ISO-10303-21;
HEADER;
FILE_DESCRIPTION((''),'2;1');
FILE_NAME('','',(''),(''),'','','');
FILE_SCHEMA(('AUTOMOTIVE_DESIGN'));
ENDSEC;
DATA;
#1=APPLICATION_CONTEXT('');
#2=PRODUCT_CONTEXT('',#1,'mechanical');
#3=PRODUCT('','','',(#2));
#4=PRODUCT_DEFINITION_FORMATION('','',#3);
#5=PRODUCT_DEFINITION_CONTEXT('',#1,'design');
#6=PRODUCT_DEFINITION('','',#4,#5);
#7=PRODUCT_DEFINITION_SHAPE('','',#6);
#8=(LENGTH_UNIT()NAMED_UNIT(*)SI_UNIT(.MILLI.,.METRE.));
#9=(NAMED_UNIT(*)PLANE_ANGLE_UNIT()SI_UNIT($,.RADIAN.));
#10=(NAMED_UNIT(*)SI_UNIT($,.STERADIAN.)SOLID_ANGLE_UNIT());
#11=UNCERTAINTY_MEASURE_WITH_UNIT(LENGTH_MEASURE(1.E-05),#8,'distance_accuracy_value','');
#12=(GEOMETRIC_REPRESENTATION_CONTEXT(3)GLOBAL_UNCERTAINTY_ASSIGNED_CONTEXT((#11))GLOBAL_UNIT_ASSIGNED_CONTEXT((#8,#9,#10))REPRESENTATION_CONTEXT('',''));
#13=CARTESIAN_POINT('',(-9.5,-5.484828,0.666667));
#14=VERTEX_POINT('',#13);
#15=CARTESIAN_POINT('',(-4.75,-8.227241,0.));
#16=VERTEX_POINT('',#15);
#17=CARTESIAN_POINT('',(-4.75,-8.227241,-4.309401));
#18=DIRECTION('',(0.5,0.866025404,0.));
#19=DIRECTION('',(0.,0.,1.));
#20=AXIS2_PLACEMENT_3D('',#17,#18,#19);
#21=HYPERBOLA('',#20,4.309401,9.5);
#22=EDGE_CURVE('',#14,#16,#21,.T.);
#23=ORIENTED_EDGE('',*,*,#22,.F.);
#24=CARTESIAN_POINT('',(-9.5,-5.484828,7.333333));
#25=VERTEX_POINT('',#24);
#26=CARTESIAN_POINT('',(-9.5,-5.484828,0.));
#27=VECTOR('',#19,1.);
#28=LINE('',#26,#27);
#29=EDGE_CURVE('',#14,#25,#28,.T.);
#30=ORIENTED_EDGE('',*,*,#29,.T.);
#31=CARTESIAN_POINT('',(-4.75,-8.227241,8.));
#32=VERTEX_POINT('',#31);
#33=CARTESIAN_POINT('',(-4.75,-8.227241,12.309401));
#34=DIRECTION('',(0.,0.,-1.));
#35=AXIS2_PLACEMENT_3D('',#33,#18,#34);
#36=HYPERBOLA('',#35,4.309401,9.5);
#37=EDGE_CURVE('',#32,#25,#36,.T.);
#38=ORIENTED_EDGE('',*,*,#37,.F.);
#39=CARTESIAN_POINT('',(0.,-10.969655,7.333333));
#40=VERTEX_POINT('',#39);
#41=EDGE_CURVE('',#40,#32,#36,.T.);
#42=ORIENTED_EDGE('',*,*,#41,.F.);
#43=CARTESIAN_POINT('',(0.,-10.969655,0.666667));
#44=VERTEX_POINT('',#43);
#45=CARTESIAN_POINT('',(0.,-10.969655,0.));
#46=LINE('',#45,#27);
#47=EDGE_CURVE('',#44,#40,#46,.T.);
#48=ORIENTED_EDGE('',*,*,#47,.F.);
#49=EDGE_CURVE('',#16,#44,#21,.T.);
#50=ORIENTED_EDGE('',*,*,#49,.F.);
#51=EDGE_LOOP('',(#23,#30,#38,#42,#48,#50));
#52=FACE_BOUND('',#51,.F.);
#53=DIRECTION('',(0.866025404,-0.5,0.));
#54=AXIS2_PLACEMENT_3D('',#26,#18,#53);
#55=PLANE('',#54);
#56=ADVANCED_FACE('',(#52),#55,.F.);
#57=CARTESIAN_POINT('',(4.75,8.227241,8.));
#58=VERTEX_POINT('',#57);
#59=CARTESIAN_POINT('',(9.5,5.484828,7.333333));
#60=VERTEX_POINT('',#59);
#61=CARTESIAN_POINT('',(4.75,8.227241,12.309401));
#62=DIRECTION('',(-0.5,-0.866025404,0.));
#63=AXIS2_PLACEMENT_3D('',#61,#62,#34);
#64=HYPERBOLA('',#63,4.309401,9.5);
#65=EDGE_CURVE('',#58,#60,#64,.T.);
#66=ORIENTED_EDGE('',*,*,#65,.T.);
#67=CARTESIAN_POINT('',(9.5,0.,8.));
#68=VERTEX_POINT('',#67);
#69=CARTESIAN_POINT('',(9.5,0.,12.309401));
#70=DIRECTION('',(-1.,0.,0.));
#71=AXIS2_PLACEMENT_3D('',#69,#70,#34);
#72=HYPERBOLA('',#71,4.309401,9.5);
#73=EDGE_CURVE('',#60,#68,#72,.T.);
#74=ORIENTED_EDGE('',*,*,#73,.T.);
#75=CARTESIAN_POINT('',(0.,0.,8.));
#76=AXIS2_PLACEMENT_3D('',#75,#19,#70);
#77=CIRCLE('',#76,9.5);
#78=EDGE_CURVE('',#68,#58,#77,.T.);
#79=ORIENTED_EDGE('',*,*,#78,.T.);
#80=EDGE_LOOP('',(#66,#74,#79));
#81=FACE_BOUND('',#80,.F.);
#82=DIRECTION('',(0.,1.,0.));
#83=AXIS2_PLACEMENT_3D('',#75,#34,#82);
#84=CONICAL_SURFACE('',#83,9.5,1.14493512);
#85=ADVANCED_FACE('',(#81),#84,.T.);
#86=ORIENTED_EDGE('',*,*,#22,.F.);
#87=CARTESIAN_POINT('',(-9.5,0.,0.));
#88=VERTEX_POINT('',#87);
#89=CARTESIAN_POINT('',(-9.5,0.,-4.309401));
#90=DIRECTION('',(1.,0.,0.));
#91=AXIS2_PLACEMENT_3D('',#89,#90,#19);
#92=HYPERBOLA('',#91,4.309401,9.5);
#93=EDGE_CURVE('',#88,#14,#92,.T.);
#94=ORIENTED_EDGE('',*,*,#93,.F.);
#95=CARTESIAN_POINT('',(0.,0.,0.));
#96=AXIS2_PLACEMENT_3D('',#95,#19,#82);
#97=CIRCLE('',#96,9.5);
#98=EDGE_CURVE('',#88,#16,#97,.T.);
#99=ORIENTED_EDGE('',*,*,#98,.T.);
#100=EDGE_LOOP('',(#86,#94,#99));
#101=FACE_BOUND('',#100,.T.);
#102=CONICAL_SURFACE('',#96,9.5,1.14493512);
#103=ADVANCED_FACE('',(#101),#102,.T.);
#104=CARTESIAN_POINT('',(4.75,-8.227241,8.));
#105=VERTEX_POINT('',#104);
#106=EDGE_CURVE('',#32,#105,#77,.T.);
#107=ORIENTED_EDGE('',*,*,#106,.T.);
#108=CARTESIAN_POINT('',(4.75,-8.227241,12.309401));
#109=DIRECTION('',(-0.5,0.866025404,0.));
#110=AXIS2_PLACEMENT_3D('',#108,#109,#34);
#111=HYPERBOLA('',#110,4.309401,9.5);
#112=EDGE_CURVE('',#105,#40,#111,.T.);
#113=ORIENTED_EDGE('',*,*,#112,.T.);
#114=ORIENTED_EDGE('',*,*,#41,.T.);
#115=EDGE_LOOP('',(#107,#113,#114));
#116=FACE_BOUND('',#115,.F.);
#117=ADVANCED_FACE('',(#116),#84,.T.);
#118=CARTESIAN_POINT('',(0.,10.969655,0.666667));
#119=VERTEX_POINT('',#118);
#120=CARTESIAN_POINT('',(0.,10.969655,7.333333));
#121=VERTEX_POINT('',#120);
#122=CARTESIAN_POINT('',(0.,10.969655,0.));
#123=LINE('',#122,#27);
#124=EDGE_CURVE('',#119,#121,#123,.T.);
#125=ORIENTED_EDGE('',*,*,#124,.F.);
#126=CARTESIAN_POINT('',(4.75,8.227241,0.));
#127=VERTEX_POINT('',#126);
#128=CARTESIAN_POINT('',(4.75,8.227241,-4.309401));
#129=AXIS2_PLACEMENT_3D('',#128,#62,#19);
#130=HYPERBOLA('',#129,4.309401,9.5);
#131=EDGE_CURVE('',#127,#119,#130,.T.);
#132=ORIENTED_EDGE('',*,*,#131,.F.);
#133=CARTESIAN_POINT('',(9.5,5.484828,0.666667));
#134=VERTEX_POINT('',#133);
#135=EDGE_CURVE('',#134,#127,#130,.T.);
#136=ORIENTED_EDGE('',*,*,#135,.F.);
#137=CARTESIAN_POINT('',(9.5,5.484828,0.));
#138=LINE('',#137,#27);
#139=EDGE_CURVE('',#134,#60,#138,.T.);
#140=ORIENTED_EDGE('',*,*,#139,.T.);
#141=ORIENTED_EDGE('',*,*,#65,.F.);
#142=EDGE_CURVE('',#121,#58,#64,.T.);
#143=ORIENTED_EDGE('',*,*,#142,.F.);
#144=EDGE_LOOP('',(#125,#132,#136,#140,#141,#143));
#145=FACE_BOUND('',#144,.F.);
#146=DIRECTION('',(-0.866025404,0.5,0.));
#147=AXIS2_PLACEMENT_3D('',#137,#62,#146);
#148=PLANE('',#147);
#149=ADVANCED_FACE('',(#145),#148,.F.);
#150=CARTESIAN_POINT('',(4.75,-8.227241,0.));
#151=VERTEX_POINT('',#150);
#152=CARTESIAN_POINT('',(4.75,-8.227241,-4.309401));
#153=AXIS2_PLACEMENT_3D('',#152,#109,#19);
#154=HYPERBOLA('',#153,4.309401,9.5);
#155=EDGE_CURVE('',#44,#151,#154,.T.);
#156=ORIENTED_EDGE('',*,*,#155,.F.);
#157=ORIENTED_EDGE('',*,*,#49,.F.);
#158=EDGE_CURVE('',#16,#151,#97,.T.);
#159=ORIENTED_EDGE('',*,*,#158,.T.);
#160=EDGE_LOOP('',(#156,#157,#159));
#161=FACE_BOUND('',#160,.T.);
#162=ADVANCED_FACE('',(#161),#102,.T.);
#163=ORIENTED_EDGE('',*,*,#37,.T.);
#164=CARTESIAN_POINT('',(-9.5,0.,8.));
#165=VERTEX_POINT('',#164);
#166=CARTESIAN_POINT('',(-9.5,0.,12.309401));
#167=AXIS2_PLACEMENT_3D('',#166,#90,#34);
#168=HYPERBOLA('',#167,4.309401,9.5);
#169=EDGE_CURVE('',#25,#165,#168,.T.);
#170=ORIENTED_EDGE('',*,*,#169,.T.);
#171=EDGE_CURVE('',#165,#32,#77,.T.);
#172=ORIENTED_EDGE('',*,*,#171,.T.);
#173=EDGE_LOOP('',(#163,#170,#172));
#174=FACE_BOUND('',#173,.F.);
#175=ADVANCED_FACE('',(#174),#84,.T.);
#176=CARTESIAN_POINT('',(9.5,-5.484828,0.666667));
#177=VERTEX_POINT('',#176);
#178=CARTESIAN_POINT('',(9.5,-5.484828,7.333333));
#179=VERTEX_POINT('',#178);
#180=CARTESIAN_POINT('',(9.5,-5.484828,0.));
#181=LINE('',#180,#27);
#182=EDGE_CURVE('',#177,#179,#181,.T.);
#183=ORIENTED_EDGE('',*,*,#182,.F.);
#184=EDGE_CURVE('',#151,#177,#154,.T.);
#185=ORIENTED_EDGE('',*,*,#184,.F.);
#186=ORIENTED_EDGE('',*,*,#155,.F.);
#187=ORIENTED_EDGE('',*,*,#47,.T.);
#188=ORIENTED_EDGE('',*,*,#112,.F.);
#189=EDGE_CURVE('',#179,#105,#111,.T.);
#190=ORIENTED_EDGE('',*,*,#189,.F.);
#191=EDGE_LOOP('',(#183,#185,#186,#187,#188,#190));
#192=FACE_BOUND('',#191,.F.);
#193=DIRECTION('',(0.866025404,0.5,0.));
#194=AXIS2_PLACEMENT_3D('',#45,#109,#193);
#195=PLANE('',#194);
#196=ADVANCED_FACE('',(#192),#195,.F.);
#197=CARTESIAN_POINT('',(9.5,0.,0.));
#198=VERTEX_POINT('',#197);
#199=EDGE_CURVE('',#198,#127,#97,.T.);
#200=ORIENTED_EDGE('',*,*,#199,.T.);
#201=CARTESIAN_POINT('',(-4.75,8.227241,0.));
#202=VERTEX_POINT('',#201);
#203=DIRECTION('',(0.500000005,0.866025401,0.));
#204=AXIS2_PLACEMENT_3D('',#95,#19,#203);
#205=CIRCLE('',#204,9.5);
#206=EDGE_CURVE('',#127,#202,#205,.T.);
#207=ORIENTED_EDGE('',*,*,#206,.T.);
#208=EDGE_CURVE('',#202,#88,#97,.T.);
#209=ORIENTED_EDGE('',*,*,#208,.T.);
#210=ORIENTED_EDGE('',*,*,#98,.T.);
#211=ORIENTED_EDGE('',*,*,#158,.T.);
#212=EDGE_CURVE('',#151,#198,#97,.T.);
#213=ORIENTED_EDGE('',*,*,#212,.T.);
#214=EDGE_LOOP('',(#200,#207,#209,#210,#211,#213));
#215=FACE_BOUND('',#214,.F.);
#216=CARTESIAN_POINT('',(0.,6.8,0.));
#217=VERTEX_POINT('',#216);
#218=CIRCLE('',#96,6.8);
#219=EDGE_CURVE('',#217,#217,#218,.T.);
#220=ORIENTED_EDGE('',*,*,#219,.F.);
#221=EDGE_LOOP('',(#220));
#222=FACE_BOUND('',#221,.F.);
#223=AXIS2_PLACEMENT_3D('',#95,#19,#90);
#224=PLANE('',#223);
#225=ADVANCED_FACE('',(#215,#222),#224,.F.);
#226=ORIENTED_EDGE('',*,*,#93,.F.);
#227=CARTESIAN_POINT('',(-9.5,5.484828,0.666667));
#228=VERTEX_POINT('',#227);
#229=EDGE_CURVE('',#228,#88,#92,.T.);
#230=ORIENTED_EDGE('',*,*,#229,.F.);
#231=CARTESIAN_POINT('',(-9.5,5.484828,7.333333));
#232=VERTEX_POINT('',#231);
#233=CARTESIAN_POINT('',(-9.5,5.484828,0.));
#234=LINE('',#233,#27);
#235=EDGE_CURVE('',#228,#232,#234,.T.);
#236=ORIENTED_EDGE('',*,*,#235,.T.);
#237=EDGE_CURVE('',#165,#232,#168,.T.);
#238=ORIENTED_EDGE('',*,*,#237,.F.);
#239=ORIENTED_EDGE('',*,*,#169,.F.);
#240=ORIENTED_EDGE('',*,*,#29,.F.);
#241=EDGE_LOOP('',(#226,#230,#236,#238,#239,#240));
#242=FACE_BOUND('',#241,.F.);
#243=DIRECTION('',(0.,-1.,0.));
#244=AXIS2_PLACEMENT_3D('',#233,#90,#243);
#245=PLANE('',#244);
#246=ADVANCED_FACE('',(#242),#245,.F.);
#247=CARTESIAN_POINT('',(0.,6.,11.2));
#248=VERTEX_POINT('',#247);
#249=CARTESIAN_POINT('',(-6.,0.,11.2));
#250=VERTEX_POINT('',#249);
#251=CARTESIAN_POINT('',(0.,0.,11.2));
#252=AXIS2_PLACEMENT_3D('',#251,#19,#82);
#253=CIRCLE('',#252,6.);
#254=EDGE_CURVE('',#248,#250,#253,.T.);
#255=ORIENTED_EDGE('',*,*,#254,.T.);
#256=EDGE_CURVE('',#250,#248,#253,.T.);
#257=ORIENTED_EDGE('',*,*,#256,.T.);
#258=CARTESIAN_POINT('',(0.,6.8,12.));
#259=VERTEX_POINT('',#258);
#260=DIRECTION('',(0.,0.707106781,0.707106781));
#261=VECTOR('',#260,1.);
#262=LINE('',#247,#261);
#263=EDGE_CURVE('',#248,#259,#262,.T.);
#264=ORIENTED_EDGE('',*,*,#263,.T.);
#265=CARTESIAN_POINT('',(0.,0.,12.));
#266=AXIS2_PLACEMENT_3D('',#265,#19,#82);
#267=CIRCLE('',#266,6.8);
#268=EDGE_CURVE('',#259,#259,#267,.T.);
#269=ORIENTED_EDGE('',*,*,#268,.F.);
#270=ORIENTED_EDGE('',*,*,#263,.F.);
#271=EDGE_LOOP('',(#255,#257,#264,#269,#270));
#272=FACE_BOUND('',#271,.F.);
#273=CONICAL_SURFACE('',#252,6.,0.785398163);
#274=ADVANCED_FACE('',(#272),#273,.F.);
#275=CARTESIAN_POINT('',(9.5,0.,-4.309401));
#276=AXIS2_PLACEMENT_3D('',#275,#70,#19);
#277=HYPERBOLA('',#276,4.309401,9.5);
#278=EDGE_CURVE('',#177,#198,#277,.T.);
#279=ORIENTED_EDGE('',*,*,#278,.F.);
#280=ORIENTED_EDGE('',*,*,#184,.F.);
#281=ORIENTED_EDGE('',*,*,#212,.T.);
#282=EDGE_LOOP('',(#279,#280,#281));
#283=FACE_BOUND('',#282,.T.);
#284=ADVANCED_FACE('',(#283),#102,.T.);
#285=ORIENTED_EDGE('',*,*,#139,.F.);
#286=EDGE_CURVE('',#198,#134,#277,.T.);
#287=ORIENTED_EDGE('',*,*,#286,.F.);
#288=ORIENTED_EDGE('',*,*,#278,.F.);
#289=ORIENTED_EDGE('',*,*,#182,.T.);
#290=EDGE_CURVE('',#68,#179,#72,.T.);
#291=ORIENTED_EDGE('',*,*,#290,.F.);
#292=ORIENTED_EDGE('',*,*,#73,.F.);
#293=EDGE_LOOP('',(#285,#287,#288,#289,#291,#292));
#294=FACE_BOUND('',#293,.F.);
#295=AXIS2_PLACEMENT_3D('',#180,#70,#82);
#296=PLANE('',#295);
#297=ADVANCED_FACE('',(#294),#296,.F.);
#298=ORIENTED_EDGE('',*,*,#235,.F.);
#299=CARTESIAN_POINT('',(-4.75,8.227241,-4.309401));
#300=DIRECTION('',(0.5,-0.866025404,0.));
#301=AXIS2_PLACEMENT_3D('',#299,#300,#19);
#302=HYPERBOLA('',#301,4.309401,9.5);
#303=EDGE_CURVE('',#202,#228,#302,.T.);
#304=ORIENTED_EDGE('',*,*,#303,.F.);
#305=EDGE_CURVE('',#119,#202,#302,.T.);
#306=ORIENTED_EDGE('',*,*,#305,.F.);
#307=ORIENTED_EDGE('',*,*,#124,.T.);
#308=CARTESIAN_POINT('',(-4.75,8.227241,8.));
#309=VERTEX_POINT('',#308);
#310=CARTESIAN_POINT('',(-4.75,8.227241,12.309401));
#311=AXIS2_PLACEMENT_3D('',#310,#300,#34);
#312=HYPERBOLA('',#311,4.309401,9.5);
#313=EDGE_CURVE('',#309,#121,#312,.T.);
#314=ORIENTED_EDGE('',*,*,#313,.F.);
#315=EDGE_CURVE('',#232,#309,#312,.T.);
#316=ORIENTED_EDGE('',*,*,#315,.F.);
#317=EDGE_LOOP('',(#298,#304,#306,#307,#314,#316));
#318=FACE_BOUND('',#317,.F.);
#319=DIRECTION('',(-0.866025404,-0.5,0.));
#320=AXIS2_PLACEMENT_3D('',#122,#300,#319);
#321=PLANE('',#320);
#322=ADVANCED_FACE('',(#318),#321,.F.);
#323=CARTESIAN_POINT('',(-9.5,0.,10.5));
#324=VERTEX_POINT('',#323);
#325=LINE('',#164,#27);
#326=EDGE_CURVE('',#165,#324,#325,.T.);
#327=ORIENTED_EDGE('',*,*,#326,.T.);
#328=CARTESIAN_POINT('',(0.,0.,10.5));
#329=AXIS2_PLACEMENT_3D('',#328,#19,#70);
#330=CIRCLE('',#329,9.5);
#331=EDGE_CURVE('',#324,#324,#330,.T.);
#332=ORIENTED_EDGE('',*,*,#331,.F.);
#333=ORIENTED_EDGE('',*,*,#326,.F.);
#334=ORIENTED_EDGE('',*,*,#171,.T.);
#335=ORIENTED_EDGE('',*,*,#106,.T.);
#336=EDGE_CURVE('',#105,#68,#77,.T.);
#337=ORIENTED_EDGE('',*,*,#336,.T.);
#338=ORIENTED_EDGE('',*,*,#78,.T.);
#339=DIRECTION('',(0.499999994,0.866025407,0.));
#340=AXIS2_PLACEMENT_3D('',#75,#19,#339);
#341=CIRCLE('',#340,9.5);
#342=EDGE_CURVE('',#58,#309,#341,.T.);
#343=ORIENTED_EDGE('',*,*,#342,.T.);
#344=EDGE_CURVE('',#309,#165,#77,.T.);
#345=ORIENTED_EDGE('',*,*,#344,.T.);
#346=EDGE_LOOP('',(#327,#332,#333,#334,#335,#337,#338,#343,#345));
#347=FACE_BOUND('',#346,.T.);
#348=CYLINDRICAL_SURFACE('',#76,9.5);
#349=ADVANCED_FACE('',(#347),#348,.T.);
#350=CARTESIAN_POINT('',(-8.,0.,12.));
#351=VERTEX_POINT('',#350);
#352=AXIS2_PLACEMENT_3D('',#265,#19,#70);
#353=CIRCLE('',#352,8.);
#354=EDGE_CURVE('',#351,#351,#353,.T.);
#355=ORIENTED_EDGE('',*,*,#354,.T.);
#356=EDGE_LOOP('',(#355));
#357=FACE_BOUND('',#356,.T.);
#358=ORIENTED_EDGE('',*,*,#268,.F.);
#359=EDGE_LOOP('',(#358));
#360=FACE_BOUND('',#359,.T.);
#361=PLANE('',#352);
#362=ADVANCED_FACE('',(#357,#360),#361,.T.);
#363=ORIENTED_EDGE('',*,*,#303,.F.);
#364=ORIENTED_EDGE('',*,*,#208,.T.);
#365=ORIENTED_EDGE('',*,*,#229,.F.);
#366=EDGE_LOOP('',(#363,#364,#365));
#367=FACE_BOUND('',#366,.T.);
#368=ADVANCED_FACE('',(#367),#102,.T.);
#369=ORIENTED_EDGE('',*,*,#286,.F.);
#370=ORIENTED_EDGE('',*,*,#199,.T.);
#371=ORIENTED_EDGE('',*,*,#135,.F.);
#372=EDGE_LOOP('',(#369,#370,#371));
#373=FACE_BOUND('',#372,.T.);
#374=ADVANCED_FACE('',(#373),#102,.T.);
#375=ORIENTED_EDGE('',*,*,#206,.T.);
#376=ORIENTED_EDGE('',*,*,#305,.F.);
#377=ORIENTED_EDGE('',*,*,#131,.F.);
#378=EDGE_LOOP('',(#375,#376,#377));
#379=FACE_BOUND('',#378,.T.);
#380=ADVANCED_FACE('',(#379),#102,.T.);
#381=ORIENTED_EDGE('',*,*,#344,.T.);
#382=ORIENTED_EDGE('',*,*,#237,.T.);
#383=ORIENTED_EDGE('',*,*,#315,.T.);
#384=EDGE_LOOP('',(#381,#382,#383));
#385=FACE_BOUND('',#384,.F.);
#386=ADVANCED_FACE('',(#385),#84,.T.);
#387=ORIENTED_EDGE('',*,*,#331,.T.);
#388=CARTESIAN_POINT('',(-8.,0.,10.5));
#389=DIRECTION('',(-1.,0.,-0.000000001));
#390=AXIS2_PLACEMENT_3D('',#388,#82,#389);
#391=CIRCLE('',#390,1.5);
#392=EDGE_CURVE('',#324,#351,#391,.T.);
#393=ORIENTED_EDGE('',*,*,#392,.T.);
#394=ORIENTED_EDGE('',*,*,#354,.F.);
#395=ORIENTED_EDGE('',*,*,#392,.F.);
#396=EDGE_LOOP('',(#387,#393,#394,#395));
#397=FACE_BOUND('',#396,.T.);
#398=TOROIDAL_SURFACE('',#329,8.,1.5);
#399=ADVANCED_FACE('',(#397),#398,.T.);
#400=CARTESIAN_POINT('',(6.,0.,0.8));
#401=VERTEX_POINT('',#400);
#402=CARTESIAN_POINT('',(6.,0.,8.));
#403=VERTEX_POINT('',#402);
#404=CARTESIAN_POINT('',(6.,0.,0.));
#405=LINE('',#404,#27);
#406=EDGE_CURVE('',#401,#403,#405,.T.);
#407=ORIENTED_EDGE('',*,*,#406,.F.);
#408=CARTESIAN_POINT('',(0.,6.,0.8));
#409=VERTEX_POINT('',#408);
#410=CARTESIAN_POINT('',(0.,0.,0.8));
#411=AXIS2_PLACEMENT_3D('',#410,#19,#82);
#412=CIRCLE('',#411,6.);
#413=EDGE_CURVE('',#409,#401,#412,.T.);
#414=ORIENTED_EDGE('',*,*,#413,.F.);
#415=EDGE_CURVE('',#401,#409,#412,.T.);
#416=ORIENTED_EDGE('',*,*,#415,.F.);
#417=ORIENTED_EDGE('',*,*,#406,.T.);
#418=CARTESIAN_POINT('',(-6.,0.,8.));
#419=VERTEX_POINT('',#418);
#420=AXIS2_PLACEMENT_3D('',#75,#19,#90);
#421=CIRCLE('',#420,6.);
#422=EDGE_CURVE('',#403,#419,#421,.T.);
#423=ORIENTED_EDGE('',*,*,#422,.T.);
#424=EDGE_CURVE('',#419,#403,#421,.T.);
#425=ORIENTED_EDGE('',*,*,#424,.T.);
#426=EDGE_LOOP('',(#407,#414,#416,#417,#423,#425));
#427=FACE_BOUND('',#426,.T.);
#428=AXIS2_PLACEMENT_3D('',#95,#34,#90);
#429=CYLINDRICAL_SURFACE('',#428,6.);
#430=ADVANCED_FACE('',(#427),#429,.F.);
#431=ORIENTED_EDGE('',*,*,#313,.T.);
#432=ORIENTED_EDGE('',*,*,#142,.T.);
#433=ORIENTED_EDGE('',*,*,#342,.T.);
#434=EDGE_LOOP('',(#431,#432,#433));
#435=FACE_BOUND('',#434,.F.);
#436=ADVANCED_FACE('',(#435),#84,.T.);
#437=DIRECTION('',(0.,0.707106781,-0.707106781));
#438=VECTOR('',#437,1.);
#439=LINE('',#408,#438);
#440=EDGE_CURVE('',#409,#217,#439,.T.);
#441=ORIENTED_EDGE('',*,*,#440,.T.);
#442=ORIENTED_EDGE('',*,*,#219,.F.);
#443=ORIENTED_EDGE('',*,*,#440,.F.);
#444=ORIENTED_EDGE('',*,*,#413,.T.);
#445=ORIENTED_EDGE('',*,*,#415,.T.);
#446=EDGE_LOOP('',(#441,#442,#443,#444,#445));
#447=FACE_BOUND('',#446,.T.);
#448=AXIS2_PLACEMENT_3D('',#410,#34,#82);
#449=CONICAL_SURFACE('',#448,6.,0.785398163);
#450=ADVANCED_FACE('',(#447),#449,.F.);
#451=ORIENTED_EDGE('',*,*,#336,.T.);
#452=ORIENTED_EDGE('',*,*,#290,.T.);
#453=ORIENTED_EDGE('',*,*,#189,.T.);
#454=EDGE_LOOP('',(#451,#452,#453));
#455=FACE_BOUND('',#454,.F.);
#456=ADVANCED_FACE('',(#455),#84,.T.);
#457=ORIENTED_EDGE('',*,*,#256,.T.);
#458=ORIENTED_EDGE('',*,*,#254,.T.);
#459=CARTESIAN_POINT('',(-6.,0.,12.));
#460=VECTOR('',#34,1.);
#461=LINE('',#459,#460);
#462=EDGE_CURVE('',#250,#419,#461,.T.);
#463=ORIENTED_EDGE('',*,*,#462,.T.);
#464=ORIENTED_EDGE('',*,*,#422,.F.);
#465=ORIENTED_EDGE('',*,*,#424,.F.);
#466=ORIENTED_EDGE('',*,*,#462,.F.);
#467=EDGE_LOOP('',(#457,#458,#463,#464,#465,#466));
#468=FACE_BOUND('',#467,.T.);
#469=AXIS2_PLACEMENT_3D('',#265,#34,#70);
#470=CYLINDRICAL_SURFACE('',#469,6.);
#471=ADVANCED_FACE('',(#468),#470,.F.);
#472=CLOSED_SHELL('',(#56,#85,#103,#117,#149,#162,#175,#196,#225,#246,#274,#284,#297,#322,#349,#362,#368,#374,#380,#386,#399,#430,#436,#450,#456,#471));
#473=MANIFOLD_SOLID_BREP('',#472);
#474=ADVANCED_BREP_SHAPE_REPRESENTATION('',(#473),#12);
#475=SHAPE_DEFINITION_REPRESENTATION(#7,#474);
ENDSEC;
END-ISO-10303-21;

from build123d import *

# Parameters (mm, degrees)
SKETCH1_R           = 6
BOSS_EXTRUDE1_DEPTH = 8


with BuildPart() as part:
    # Sketch1 → Boss-Extrude1 (new body)
    with BuildSketch(Plane.XY):
        Polygon((0, -10.969655115), (9.5, -5.484827557), (9.5, 5.484827557), (0, 10.969655115), (-9.5, 5.484827557), (-9.5, -5.484827557), align=None)
        Circle(SKETCH1_R, mode=Mode.SUBTRACT)
    extrude(amount=BOSS_EXTRUDE1_DEPTH)

    # Sketch3 → Revolve1 (revolve)
    with BuildSketch(Plane(origin=(0, 0, 0), x_dir=(0, 0, -1), z_dir=(0, 1, 0))):
        with BuildLine():
            Line((-8, 9.5), (-10.5, 9.5))
            ThreePointArc((-10.5, 9.5), (-11.560660172, 9.060660172), (-12, 8))
            Line((-12, 8), (-12, 6))
            Line((-12, 6), (-8, 6))
            Line((-8, 6), (-8, 9.5))
        make_face()
    revolve(axis=Axis((0, 0, 0), (0, 0, 1)))

    # Sketch2 → Cut-Revolve1 (revolve, cut)
    with BuildSketch(Plane(origin=(0, 0, 0), x_dir=(0, 0, -1), z_dir=(1, 0, 0))):
        Polygon((-8, 10.969655115), (-8, 9.5), (-7.333333333, 10.969655115), align=None)
        Polygon((-0.666666667, 10.969655115), (0, 10.969655115), (0, 9.5), align=None)
        Polygon((-12, 6), (-11.2, 6), (-12, 6.8), align=None)
        Polygon((0, 6), (-0.8, 6), (0, 6.8), align=None)
    revolve(axis=Axis((0, 0, 0), (0, 0, 1)), mode=Mode.SUBTRACT)


solid = part.part
